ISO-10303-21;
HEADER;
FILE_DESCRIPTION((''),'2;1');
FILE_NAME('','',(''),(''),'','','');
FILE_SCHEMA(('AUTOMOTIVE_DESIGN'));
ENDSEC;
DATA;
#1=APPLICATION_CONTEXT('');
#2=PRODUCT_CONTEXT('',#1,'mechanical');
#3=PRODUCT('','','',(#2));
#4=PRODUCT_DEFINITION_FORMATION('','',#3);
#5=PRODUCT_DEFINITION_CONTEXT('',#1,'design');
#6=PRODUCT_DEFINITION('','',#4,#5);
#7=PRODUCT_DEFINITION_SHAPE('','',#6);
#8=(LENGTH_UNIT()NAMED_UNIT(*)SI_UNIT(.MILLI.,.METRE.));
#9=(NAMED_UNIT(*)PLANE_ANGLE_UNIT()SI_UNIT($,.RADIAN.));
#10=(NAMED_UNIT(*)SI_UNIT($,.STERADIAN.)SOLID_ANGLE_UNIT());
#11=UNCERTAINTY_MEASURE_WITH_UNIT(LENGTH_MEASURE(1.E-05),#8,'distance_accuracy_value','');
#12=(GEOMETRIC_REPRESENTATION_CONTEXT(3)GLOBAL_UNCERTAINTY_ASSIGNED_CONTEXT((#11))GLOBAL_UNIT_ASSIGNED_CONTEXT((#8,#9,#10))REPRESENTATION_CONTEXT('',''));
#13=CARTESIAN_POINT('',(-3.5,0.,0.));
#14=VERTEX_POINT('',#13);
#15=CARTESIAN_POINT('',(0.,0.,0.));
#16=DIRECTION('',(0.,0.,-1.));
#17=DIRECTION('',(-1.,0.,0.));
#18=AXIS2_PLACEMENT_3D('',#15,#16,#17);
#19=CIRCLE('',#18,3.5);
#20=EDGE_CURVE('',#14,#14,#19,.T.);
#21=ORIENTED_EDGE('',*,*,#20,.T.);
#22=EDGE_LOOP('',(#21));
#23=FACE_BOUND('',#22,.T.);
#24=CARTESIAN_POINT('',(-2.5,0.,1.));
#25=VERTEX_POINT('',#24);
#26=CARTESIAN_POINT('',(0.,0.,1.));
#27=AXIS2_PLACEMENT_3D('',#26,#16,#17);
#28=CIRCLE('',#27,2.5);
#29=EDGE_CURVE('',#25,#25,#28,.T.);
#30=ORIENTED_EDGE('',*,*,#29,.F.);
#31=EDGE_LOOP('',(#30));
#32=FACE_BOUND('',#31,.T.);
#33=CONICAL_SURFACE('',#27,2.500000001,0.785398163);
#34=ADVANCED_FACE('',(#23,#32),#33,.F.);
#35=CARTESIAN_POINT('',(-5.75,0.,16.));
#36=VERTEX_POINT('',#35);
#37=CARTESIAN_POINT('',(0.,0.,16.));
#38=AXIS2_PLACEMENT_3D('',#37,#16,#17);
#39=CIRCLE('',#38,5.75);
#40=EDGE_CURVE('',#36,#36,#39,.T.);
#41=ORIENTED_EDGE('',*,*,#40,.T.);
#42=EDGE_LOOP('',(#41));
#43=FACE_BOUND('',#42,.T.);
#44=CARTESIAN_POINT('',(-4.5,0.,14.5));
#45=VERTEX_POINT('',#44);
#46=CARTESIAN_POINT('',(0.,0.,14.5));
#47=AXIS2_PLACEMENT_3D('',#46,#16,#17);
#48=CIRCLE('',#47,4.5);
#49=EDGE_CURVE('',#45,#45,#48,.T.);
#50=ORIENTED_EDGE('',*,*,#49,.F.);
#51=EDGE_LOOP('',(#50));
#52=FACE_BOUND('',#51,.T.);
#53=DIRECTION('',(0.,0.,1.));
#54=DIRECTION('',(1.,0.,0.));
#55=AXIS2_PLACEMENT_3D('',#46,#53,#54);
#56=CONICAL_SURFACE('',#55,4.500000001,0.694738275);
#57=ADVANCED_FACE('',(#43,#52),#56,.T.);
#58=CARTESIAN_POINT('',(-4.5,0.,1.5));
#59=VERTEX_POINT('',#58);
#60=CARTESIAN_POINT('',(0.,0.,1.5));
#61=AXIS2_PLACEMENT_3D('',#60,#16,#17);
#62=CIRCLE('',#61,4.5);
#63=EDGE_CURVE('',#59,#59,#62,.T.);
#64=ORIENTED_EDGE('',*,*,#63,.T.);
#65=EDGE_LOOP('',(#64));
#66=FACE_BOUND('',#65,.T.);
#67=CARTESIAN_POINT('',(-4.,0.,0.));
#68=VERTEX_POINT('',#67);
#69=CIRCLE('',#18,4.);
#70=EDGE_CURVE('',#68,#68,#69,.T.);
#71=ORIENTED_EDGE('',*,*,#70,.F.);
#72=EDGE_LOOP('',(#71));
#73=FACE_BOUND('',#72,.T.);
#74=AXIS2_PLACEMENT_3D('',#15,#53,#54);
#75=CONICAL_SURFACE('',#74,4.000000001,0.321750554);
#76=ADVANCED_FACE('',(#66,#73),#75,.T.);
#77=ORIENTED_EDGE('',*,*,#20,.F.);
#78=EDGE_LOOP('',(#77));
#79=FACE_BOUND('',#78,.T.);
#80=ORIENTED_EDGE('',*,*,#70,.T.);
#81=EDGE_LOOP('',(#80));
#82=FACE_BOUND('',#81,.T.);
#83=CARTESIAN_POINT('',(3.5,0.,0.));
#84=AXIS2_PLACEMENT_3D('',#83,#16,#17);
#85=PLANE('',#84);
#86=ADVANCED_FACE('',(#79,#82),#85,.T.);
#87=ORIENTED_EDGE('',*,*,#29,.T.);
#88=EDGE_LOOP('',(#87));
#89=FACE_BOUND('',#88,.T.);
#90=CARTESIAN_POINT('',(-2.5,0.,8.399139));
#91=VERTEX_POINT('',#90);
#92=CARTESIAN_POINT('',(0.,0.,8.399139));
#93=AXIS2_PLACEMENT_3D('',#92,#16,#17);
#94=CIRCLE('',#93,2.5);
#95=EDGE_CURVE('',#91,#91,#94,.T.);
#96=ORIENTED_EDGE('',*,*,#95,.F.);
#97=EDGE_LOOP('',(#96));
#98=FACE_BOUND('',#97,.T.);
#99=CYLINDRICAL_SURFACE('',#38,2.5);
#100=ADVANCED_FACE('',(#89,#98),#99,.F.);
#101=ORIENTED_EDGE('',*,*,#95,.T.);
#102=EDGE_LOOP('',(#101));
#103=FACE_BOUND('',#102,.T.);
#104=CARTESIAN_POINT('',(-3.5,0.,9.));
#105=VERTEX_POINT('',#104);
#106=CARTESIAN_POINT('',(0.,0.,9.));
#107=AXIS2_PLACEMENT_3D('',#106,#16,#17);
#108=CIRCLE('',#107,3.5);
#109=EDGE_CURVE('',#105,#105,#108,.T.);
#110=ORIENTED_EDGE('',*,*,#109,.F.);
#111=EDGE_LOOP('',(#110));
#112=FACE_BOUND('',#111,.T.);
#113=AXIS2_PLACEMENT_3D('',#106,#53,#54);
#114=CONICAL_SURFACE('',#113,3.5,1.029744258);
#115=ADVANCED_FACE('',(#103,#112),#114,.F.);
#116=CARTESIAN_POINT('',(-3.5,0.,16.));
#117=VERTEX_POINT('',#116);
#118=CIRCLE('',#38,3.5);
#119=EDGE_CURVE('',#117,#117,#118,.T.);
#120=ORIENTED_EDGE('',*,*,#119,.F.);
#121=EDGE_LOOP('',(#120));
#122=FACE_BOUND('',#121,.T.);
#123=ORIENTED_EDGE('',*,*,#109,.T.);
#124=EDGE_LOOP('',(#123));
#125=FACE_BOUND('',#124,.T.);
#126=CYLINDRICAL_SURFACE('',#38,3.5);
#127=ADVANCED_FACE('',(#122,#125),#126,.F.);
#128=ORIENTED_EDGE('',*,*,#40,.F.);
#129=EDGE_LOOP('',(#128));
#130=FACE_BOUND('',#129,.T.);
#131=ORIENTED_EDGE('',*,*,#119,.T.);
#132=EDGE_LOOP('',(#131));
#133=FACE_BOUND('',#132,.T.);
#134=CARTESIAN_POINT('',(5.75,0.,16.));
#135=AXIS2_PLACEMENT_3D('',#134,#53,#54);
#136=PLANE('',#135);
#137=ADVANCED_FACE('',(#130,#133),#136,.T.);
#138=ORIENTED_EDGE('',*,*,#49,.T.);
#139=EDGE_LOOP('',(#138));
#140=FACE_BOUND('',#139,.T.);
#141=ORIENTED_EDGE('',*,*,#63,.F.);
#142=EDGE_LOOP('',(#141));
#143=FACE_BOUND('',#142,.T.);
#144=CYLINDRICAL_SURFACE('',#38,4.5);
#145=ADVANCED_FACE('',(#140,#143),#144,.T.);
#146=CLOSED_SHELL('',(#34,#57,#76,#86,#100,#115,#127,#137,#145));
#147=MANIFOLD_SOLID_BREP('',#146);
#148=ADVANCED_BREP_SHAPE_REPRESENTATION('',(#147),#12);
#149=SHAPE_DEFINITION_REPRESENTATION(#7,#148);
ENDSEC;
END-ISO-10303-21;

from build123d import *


with BuildPart() as part:
    # Эскиз1 → Повернуть1 (revolve)
    with BuildSketch(Plane.XZ):
        Polygon((3.5, 9), (2.500000001, 8.39913938), (2.500000001, 1.000000001), (3.500000001, 1e-09), (4.000000001, 1e-09), (4.500000001, 1.500000001), (4.500000001, 14.500000001), (5.75, 16.000000002), (3.5, 16.000000002), align=None)
    revolve(axis=Axis((0, 0, 16.000000001), (0, 0, -1)))


solid = part.part
